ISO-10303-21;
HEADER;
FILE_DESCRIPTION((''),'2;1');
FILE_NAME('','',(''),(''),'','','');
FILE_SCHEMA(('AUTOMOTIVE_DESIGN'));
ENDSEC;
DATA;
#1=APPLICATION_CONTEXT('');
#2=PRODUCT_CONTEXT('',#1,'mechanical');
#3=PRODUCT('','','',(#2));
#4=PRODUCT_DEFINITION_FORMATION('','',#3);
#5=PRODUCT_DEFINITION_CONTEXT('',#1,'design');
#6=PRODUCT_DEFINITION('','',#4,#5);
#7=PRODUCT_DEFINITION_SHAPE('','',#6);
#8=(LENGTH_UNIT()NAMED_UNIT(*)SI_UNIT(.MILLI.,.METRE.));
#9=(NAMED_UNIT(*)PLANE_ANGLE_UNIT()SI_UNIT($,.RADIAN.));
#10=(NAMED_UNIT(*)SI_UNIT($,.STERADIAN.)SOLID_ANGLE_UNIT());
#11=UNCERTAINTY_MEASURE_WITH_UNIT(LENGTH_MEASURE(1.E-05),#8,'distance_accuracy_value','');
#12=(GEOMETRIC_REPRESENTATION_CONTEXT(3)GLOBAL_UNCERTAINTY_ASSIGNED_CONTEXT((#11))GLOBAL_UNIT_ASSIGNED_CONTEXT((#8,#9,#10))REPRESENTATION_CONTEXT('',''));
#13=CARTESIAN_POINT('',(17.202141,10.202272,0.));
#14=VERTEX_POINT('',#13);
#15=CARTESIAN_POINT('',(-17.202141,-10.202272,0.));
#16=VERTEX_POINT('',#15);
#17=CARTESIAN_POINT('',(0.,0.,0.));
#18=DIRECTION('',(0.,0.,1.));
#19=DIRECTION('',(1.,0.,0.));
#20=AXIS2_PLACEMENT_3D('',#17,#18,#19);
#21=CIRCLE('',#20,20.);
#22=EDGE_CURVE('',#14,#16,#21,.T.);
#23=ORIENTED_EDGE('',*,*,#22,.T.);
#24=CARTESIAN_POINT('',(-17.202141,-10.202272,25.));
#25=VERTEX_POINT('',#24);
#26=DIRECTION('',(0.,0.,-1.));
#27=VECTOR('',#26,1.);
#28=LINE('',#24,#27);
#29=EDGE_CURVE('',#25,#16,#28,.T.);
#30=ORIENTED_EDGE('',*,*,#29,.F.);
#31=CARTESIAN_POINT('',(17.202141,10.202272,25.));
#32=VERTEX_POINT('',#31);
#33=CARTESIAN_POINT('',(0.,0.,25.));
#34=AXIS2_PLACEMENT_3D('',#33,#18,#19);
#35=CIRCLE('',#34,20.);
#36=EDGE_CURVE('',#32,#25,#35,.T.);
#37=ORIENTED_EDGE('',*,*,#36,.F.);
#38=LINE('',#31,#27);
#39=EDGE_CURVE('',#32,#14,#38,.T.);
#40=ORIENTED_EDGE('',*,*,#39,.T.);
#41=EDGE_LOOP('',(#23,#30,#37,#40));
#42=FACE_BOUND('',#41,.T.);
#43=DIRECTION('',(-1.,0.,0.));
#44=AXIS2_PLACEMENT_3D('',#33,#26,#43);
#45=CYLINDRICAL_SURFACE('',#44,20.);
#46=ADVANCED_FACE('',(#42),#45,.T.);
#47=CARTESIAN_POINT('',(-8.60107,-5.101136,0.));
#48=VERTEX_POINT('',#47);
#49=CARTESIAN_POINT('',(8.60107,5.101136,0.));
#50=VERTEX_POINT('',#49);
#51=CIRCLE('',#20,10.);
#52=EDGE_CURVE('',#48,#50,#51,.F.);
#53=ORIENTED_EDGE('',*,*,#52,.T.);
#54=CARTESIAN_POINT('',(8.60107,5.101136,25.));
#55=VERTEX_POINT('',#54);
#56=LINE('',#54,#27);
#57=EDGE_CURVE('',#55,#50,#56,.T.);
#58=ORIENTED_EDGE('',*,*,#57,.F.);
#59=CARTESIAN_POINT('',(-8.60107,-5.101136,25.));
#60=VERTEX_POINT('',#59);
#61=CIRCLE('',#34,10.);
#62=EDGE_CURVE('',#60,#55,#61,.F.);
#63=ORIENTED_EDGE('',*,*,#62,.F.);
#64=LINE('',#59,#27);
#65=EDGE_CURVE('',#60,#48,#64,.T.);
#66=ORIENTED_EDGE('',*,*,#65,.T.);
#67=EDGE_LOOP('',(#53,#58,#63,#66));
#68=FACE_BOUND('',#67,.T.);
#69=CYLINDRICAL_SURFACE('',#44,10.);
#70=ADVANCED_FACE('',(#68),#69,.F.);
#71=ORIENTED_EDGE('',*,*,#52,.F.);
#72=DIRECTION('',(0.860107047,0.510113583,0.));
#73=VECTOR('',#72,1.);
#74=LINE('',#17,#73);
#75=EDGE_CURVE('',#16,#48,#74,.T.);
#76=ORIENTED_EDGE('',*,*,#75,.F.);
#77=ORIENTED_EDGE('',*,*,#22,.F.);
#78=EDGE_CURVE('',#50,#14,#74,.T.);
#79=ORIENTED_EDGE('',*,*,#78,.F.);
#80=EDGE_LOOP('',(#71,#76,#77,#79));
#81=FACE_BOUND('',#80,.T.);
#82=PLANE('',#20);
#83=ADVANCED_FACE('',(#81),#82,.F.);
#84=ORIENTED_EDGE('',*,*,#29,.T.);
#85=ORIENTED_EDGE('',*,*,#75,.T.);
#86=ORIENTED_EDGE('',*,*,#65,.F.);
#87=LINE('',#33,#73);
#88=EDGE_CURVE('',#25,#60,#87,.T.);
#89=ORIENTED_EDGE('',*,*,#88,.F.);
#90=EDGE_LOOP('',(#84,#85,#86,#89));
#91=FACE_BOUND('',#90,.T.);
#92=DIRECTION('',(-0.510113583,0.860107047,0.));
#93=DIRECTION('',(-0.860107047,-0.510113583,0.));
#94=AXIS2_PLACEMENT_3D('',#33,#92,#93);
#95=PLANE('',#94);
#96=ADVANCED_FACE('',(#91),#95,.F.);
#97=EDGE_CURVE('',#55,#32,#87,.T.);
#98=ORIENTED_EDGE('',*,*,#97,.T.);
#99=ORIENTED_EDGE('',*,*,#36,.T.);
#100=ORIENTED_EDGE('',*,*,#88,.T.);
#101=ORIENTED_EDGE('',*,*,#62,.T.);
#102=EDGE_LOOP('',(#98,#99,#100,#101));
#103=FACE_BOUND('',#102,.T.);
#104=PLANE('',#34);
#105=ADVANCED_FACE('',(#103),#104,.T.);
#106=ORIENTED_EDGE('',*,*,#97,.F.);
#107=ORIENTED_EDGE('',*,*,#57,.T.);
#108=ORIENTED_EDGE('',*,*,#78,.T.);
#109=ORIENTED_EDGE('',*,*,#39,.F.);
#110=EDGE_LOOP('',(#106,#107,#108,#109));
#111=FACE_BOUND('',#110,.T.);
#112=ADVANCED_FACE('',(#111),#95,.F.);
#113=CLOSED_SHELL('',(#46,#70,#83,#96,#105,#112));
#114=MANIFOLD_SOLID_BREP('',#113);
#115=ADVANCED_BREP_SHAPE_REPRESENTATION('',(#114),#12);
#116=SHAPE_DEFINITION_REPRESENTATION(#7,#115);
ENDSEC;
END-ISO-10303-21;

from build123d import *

# Parameters (mm, degrees)
BOSS_EXTRUDE1_DEPTH = 25


with BuildPart() as part:
    # Sketch1 → Boss-Extrude1 (new body)
    with BuildSketch(Plane.XY):
        with BuildLine():
            ThreePointArc((17.20214094, 10.202271663), (-10.202271663, 17.20214094), (-17.20214094, -10.202271663))
            Line((-17.20214094, -10.202271663), (-8.60107047, -5.101135832))
            ThreePointArc((-8.60107047, -5.101135832), (-5.101135832, 8.60107047), (8.60107047, 5.101135832))
            Line((8.60107047, 5.101135832), (17.20214094, 10.202271663))
        make_face()
    extrude(amount=BOSS_EXTRUDE1_DEPTH)


solid = part.part
